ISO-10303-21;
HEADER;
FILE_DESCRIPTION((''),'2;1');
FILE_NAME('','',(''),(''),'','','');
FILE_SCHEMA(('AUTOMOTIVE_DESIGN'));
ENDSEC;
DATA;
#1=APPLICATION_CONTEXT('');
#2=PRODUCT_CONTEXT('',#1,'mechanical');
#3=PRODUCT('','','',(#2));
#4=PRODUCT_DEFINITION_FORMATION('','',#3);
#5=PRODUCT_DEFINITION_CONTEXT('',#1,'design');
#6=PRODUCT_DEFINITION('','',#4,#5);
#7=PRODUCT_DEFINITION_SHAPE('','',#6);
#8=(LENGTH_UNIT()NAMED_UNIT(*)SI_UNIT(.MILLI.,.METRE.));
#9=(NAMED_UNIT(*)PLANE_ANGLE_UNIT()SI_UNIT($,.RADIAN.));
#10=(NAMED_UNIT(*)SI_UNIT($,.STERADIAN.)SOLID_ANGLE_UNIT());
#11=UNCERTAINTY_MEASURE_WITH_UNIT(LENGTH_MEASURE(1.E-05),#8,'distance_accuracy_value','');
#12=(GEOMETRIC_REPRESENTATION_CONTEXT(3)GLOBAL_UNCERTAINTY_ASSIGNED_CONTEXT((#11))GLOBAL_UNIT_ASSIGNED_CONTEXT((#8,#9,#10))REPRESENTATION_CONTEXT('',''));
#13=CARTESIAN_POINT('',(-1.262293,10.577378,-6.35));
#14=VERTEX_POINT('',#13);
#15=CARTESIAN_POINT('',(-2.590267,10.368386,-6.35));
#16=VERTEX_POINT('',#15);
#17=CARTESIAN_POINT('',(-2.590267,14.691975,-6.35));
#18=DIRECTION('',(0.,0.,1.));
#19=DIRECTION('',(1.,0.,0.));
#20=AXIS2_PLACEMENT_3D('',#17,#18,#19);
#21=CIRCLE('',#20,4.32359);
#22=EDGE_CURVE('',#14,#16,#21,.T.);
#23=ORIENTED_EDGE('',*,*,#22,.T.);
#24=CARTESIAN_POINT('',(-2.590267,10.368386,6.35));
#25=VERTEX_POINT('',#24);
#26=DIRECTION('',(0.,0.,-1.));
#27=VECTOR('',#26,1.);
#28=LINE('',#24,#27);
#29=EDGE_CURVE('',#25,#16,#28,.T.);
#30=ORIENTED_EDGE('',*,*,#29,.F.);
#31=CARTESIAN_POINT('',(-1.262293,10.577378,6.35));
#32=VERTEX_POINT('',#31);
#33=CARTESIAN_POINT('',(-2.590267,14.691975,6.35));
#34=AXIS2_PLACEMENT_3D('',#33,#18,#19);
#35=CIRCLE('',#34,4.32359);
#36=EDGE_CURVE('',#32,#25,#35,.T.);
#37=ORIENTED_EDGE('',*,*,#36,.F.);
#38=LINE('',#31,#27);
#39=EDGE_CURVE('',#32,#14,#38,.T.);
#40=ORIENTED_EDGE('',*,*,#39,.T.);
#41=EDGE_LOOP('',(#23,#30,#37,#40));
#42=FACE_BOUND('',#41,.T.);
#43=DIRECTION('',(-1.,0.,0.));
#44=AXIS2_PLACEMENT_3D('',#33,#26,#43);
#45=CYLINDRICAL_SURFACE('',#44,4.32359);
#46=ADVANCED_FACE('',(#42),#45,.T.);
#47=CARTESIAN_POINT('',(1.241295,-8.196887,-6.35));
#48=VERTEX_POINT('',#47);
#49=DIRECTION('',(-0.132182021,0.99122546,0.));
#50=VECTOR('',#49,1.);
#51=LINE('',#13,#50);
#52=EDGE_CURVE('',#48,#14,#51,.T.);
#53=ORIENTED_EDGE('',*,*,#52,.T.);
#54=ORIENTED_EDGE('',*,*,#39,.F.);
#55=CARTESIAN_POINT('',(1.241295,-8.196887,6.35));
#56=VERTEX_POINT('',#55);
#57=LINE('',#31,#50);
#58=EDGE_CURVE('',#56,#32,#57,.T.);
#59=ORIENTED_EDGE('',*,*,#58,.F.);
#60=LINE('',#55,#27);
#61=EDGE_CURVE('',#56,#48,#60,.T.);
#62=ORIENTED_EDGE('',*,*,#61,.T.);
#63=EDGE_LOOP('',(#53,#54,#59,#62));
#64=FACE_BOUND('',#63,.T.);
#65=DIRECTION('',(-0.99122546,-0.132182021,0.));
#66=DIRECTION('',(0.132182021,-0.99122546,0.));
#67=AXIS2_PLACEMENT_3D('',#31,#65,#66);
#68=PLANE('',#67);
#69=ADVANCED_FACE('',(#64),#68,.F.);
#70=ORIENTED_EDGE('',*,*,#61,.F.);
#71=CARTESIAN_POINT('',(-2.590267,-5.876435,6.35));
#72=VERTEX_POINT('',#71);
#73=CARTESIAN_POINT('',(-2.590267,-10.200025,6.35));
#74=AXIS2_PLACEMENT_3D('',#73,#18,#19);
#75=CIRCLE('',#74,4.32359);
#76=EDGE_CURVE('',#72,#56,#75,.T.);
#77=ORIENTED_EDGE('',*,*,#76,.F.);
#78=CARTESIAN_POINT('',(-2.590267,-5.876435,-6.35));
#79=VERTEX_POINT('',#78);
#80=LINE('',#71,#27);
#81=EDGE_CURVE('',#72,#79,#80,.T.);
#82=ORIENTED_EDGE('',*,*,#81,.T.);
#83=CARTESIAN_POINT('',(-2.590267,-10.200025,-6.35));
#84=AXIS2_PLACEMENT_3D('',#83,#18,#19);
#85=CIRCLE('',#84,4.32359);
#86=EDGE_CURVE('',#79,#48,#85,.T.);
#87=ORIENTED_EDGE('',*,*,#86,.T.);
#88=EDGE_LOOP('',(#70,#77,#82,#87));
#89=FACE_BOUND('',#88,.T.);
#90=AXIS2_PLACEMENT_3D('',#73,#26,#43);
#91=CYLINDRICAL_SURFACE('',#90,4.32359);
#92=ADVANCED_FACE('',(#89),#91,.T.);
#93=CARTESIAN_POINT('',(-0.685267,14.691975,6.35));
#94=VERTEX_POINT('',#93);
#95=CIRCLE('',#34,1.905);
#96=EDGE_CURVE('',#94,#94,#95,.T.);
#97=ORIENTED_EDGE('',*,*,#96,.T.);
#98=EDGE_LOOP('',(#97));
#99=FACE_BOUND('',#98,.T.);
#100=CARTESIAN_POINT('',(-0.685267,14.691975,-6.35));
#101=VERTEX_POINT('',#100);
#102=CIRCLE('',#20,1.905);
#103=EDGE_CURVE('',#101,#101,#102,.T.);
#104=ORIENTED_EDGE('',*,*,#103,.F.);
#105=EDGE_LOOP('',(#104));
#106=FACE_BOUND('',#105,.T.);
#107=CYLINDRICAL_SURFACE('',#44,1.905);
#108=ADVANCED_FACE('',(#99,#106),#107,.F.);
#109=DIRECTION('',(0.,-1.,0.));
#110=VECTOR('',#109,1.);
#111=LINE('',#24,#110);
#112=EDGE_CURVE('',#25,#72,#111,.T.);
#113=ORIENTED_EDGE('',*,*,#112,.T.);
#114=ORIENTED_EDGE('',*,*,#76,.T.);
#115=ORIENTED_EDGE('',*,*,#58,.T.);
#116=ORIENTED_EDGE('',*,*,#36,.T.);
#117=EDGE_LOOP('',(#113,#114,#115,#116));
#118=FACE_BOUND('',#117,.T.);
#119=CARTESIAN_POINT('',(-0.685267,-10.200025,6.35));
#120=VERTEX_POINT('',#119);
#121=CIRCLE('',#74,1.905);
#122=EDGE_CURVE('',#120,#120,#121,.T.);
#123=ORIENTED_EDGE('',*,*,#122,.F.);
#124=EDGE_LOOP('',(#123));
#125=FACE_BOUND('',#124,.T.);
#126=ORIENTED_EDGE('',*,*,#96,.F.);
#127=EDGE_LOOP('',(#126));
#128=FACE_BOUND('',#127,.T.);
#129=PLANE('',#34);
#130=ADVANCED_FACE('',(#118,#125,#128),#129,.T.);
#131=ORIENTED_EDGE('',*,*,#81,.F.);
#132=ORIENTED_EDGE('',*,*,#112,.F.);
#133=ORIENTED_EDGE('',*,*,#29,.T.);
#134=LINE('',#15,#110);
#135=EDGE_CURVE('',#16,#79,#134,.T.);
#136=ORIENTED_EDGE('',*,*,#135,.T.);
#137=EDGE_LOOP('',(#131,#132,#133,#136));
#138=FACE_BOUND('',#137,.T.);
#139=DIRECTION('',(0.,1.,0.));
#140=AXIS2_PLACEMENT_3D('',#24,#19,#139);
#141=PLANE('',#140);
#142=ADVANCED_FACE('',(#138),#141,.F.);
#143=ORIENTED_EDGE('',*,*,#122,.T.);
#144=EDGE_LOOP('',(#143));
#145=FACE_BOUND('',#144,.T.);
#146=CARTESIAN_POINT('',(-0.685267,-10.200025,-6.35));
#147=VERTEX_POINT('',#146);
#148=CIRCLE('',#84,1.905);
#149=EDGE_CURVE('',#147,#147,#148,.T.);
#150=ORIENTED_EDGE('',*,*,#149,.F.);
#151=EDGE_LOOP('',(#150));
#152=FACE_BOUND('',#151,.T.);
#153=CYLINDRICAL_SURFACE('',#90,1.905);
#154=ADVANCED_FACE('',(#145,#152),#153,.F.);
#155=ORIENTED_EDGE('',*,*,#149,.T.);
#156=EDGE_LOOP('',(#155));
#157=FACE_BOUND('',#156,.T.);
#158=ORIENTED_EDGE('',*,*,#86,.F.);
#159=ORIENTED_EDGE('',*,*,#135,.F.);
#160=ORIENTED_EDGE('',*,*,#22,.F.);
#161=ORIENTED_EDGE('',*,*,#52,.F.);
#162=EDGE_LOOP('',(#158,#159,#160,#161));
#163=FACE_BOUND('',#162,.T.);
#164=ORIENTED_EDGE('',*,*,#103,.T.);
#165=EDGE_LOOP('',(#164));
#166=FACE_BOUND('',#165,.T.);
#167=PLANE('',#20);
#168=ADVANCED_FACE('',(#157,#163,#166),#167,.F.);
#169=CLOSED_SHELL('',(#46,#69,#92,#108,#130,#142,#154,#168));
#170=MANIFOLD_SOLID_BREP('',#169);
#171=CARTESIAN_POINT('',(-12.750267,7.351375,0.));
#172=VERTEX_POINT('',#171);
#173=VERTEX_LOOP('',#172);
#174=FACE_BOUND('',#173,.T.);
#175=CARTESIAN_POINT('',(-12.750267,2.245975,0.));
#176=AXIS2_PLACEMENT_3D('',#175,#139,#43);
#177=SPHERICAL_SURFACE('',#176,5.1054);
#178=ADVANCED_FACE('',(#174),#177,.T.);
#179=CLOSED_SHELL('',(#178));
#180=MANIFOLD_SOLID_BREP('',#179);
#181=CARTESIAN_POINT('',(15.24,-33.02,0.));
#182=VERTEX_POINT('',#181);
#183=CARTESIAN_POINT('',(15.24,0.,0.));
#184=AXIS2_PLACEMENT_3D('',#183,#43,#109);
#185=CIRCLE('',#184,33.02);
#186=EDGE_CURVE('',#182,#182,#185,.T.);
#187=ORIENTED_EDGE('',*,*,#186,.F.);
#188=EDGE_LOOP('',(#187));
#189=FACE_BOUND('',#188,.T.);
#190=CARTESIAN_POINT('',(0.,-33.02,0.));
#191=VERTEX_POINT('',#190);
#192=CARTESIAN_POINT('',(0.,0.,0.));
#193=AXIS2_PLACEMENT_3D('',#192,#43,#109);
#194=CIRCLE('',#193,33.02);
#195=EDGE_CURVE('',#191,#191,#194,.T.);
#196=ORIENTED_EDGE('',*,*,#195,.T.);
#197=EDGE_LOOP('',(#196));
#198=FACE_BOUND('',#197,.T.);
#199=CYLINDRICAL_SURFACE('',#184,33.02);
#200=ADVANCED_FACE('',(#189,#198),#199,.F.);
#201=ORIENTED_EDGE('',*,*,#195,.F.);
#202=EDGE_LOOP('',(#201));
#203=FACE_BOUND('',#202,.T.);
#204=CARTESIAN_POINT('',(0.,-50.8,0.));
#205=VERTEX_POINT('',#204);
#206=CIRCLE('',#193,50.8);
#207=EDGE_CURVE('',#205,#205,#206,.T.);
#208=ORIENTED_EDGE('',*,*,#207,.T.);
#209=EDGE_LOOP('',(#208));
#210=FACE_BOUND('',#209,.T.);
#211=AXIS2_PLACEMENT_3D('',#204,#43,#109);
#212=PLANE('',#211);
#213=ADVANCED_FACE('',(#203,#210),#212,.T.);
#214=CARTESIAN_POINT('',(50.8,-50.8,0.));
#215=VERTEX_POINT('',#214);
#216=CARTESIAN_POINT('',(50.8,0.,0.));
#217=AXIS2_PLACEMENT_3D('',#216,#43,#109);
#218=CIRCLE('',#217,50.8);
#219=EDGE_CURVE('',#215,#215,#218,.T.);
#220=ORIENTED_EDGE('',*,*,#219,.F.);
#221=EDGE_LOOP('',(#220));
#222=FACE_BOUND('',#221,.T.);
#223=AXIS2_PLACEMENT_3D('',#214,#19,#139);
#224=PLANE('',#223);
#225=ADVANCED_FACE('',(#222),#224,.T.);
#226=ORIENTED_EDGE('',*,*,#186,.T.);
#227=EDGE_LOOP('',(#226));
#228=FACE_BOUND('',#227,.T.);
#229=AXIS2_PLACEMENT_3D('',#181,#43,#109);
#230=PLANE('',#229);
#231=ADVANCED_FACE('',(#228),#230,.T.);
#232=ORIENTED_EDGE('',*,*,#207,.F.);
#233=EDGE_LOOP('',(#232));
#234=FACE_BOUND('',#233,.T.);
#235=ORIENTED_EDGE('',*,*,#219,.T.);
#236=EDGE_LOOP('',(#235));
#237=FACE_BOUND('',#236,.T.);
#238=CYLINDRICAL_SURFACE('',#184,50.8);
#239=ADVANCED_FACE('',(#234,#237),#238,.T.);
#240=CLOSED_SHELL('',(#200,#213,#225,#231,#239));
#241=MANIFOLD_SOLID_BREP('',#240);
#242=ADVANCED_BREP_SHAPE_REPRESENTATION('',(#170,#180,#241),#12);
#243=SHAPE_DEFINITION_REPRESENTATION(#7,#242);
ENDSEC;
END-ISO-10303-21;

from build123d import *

# Parameters (mm, degrees)
SKETCH3_R      = 1.905
EXTRUDE2_DEPTH = 6.35


with BuildPart() as part:
    # Sketch2 → Revolve1 (revolve)
    with BuildSketch(Plane.XY):
        Polygon((50.8, -50.8), (50.8, 0), (15.24, 0), (15.24, -33.02), (0, -33.02), (0, -50.8), align=None)
    revolve(axis=Axis((15.24, 0, 0), (1, 0, 0)))


with BuildPart() as body_2:
    # Sketch3 → Extrude2 (new, symmetric)
    with BuildSketch(Plane.XY):
        with BuildLine():
            Line((-1.262293267, 10.577377717), (1.241294824, -8.196886969))
            ThreePointArc((1.241294824, -8.196886969), (-4.829986092, -13.898279258), (-2.590267125, -5.876435023))
            Line((-2.590267125, -5.876435023), (-2.590267125, 10.368385606))
            ThreePointArc((-2.590267125, 10.368385606), (-3.262426382, 18.962997383), (-1.262293267, 10.577377717))
        make_face()
        with Locations((-2.590267125, 14.691975292)):
            Circle(SKETCH3_R, mode=Mode.SUBTRACT)
        with Locations((-2.590267125, -10.200024708)):
            Circle(SKETCH3_R, mode=Mode.SUBTRACT)
    extrude(amount=EXTRUDE2_DEPTH, both=True)


with BuildPart() as body_3:
    # Sketch4 → Revolve2 (revolve)
    with BuildSketch(Plane.XY):
        with BuildLine():
            Line((-12.750267125, 7.351375292), (-12.750267125, -2.859424708))
            ThreePointArc((-12.750267125, -2.859424708), (-17.855667125, 2.245975292), (-12.750267125, 7.351375292))
        make_face()
    revolve(axis=Axis((-12.750267125, 7.351375292, 0), (0, -1, 0)))


solid = Compound([part.part, body_2.part, body_3.part])
